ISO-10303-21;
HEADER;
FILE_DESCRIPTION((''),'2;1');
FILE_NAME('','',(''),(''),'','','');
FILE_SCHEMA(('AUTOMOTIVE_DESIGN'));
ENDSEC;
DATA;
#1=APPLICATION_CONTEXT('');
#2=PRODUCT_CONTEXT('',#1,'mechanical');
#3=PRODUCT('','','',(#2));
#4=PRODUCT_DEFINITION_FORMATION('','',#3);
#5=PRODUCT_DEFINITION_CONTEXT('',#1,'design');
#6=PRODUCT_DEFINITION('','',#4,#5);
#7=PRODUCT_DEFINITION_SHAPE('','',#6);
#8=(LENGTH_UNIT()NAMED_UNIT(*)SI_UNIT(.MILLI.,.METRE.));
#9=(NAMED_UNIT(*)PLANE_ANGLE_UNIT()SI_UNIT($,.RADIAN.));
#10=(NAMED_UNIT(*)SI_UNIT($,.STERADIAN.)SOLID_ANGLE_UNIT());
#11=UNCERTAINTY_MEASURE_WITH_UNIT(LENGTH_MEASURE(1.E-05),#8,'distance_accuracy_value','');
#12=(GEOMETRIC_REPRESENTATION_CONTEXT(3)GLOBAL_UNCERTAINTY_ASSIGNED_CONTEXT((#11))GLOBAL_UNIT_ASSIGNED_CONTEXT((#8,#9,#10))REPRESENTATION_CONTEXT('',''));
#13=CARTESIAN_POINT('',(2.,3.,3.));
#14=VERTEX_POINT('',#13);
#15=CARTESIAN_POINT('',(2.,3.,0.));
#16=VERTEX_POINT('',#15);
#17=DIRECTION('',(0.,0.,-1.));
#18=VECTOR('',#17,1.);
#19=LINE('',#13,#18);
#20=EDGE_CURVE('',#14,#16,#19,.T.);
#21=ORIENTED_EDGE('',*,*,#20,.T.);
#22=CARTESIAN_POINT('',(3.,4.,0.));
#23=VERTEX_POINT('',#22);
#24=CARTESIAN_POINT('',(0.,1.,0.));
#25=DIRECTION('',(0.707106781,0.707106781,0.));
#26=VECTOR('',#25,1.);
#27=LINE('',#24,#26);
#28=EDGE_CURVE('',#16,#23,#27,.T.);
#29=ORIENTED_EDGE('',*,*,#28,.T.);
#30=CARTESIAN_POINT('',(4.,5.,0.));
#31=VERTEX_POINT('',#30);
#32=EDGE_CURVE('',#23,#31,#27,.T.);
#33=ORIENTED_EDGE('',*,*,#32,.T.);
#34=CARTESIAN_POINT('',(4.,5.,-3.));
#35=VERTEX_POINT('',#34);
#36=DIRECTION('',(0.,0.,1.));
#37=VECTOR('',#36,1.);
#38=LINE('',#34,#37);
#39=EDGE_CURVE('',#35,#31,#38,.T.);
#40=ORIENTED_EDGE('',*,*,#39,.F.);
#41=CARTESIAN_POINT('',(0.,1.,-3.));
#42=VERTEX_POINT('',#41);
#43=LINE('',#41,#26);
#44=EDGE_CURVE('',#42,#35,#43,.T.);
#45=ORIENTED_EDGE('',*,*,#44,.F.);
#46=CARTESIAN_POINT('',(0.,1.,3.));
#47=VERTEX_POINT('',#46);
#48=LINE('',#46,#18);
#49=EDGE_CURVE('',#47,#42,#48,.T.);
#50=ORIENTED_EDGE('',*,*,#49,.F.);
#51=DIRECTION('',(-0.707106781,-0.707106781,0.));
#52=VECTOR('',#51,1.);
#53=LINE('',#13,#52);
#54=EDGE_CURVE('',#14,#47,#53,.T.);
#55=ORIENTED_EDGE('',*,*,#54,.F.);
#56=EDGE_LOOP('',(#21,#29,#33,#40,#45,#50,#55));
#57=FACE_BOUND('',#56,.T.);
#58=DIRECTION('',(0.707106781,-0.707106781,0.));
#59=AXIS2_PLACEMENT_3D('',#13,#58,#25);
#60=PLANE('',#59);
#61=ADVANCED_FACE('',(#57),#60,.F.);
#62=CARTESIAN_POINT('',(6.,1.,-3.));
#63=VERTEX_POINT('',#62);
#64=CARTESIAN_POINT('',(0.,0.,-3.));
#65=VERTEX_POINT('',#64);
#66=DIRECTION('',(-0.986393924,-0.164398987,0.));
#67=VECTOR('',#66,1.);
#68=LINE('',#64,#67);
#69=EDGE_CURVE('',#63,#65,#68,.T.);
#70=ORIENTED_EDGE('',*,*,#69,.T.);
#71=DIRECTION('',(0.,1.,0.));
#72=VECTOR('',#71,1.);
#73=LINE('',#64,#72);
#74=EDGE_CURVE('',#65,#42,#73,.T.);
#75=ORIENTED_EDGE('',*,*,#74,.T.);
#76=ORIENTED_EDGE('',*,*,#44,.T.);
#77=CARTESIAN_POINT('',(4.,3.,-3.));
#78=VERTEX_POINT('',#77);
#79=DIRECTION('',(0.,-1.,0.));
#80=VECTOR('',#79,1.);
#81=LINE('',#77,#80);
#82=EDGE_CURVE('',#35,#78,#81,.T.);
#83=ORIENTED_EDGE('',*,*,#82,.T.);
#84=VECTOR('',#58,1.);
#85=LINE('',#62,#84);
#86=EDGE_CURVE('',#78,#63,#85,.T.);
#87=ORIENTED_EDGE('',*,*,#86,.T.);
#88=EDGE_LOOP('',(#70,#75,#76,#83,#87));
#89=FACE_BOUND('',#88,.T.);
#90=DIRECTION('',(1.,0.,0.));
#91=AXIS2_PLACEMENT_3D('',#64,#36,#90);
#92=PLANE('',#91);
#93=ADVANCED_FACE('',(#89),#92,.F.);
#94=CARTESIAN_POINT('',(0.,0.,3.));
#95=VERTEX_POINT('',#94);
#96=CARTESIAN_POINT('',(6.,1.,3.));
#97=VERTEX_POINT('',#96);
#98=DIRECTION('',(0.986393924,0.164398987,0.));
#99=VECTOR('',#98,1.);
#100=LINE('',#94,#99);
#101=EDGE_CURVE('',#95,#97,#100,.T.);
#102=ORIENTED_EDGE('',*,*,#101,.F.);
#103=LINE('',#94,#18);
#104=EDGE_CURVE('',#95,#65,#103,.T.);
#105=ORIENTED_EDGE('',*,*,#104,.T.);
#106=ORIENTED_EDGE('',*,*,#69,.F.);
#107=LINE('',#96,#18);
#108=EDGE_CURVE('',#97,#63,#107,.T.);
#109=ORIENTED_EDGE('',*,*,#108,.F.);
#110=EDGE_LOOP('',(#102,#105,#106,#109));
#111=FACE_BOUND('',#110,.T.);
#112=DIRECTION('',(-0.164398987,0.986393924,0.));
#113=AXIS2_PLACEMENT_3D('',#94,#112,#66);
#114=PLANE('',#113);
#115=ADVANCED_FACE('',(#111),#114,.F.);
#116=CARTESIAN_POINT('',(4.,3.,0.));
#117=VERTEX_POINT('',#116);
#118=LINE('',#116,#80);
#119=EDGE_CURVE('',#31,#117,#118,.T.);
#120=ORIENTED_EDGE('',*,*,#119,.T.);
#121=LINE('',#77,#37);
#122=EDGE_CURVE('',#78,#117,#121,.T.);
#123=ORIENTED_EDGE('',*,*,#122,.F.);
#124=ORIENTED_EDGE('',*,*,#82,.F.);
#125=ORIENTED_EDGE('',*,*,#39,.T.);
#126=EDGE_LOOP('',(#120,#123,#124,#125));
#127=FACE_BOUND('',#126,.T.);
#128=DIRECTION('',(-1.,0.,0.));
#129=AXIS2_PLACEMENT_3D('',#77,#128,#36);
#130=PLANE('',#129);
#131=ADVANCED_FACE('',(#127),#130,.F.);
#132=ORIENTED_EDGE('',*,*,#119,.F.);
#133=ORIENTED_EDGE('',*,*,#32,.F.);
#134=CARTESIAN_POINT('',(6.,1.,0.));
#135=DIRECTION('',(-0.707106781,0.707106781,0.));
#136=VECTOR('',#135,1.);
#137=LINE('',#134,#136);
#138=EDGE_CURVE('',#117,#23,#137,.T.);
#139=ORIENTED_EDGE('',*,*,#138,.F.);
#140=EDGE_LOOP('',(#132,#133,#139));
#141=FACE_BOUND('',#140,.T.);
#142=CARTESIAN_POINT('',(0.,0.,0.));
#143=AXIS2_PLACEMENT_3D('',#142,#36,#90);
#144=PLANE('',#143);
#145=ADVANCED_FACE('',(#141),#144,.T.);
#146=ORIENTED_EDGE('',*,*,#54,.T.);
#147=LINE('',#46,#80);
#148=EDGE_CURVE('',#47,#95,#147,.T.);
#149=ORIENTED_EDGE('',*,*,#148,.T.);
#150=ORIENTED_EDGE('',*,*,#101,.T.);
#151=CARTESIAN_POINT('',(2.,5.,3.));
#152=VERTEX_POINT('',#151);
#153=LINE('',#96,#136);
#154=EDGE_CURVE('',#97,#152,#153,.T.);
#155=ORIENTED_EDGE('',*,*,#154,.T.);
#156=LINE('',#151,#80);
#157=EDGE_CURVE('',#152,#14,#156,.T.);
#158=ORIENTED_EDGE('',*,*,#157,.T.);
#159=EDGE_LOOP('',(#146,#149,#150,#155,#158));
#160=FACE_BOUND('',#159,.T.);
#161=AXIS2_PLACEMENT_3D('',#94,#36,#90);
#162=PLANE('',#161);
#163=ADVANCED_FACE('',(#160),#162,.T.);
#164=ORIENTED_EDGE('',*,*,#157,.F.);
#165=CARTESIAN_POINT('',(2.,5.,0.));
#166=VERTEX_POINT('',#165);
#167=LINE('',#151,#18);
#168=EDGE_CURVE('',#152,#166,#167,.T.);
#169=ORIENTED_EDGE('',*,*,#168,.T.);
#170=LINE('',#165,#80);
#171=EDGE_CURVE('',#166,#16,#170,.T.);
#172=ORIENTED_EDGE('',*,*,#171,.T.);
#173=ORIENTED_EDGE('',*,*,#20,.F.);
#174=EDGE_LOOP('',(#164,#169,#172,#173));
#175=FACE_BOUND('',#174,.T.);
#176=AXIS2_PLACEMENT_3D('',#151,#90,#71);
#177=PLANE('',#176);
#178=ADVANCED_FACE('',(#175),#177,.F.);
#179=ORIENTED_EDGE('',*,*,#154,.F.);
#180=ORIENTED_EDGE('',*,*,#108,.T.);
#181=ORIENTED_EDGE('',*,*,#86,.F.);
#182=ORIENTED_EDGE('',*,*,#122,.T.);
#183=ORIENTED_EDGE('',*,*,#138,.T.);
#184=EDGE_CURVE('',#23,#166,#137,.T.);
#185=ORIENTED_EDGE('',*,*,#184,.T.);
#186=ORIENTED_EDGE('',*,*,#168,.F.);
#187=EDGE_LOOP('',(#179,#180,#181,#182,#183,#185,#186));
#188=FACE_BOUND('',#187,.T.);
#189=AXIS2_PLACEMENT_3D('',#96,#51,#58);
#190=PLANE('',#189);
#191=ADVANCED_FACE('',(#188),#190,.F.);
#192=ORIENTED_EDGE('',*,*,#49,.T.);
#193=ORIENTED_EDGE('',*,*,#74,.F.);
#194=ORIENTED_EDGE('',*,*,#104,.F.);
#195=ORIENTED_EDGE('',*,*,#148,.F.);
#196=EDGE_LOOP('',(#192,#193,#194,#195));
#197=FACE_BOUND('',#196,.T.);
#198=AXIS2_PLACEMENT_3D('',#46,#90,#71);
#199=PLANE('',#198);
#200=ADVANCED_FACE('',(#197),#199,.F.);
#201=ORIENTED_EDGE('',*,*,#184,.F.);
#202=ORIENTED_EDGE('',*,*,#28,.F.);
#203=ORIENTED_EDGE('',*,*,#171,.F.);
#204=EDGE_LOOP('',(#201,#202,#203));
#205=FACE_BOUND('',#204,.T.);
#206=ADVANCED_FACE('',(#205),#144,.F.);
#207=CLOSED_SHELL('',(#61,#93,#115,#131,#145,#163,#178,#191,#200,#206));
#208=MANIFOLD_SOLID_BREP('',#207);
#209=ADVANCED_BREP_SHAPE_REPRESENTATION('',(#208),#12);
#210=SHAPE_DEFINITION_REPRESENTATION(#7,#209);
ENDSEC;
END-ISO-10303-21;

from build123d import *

# Parameters (mm, degrees)
BOSS_EXTRUDE1_DEPTH = 3
BOSS_EXTRUDE2_DEPTH = 3


with BuildPart() as part:
    # Sketch2 → Boss-Extrude1 (new body)
    with BuildSketch(Plane.XY):
        Polygon((0, 0), (6, 1), (2, 5), (2, 3), (0, 1), align=None)
    extrude(amount=BOSS_EXTRUDE1_DEPTH)

    # Sketch3 → Boss-Extrude2 (add)
    with BuildSketch(Plane(origin=(0, 0, 0), x_dir=(-1, 0, 0), z_dir=(0, 0, -1))):
        Polygon((0, 0), (0, 1), (-4, 5), (-4, 3), (-6, 1), align=None)
    extrude(amount=BOSS_EXTRUDE2_DEPTH)


solid = part.part
